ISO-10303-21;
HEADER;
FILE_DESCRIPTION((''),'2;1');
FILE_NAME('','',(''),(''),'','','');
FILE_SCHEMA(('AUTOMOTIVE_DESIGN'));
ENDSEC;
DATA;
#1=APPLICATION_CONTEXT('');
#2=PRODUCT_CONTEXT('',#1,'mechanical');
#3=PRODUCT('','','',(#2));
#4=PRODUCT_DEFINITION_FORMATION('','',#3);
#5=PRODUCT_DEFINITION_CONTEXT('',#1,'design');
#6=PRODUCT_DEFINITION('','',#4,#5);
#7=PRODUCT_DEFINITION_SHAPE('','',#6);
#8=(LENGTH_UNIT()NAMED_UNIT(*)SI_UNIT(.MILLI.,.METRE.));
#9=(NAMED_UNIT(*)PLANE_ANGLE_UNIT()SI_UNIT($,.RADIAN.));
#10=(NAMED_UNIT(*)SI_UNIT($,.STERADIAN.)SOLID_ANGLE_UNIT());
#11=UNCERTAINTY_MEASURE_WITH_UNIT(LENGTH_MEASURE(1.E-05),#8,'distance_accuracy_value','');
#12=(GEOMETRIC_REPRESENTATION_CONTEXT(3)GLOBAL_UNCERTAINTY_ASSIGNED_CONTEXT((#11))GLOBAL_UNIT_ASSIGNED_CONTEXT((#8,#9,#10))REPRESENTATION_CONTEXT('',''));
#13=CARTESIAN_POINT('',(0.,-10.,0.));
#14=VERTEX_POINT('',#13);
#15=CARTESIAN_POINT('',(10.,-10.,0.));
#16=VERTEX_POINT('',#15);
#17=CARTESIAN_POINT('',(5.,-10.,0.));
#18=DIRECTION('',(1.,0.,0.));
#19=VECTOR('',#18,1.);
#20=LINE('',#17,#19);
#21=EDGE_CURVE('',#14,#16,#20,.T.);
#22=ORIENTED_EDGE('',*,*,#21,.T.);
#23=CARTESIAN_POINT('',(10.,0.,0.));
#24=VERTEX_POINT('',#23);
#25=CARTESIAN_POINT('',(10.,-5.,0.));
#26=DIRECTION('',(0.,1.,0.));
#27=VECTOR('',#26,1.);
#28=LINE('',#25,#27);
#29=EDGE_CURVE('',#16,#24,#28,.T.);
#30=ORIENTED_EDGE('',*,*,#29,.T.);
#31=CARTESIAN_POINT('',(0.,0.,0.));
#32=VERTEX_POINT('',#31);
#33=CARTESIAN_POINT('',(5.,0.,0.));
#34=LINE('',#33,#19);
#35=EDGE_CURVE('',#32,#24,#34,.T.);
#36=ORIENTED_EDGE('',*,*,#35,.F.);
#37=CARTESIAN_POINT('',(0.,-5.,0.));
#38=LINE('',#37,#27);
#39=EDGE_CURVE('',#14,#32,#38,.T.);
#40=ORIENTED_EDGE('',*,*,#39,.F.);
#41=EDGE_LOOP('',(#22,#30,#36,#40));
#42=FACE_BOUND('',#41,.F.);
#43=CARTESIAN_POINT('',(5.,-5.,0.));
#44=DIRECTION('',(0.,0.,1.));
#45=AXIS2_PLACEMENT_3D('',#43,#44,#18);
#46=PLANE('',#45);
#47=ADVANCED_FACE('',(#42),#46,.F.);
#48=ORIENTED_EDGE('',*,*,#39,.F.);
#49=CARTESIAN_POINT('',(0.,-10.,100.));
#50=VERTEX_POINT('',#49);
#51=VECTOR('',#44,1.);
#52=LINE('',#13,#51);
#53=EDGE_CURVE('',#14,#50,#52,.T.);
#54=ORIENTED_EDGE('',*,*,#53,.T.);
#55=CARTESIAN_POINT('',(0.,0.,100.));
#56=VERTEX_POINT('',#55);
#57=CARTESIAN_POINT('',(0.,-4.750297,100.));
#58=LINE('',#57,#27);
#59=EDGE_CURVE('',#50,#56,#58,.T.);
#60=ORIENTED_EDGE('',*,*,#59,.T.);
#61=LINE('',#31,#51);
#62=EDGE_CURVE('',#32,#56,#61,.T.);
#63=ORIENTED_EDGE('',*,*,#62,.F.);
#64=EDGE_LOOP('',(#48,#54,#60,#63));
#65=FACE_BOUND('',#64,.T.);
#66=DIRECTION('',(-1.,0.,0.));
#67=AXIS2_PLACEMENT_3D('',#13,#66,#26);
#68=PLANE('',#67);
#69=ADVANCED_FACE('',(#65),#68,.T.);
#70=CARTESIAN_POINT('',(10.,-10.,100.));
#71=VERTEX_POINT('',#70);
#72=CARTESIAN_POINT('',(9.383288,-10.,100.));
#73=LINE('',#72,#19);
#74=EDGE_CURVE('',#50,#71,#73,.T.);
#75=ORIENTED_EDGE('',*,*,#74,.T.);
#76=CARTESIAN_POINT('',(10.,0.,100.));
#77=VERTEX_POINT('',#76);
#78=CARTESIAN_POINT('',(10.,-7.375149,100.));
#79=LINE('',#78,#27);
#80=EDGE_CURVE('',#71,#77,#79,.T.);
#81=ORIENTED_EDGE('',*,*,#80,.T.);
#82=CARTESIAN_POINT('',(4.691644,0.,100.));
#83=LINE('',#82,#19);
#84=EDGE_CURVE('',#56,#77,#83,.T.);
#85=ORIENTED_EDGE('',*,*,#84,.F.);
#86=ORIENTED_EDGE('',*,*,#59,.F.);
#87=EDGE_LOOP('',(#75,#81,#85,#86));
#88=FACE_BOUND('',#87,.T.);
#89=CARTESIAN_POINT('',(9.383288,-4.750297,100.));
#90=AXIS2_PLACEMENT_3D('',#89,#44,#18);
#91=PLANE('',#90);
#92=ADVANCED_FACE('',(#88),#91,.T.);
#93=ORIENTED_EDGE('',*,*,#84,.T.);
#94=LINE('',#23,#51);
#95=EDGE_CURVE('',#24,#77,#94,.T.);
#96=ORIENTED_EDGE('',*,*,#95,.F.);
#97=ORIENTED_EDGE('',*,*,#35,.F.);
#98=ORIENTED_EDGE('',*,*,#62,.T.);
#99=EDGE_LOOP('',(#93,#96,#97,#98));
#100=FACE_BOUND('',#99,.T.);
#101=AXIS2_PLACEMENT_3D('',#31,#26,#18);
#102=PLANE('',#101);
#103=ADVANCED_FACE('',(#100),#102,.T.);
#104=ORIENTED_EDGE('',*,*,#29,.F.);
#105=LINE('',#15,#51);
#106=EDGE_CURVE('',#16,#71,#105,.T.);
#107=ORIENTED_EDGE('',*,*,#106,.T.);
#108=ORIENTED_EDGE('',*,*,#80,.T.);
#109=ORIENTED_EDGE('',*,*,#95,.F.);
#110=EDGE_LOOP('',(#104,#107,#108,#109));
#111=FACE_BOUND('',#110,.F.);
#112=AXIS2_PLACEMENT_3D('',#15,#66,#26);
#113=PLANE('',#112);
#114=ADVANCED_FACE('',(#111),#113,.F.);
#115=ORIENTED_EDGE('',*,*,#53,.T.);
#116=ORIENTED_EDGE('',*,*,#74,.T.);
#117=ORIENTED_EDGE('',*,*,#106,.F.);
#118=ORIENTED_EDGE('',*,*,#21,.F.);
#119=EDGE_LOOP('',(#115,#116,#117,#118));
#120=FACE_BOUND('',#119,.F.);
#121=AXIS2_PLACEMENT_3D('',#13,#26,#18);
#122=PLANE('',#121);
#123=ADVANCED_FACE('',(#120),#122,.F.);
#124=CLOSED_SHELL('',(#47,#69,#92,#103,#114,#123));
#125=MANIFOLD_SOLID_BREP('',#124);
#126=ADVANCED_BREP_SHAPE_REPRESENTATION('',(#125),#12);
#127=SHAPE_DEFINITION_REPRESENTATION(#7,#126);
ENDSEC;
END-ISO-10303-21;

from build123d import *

# Parameters (mm, degrees)
SKETCH1_W           = 10
SKETCH1_H           = 10
BOSS_EXTRUDE1_DEPTH = 205
SKETCH2_R           = 3.5
BOSS_EXTRUDE2_DEPTH = 8
SKETCH4_W           = 18.766575586
SKETCH4_H           = 10.499405733
CUT_EXTRUDE1_DEPTH  = 105


with BuildPart() as part:
    # Sketch1 → Boss-Extrude1 (new body)
    with BuildSketch(Plane.XY):
        with Locations((5, -5)):
            Rectangle(SKETCH1_W, SKETCH1_H)
    extrude(amount=BOSS_EXTRUDE1_DEPTH)

    # Sketch2 → Boss-Extrude2 (add)
    with BuildSketch(Plane(origin=(10, 0, 0), x_dir=(0, 0, -1), z_dir=(1, 0, 0))):
        with Locations((-200, -5.053950804)):
            Circle(SKETCH2_R)
    extrude(amount=BOSS_EXTRUDE2_DEPTH)

    # Sketch4 → Cut-Extrude1 (cut)
    with BuildSketch(Plane.XY.offset(205)):
        with Locations((9.383287793, -4.750297134)):
            Rectangle(SKETCH4_W, SKETCH4_H)
    extrude(amount=-CUT_EXTRUDE1_DEPTH, mode=Mode.SUBTRACT)


solid = part.part
